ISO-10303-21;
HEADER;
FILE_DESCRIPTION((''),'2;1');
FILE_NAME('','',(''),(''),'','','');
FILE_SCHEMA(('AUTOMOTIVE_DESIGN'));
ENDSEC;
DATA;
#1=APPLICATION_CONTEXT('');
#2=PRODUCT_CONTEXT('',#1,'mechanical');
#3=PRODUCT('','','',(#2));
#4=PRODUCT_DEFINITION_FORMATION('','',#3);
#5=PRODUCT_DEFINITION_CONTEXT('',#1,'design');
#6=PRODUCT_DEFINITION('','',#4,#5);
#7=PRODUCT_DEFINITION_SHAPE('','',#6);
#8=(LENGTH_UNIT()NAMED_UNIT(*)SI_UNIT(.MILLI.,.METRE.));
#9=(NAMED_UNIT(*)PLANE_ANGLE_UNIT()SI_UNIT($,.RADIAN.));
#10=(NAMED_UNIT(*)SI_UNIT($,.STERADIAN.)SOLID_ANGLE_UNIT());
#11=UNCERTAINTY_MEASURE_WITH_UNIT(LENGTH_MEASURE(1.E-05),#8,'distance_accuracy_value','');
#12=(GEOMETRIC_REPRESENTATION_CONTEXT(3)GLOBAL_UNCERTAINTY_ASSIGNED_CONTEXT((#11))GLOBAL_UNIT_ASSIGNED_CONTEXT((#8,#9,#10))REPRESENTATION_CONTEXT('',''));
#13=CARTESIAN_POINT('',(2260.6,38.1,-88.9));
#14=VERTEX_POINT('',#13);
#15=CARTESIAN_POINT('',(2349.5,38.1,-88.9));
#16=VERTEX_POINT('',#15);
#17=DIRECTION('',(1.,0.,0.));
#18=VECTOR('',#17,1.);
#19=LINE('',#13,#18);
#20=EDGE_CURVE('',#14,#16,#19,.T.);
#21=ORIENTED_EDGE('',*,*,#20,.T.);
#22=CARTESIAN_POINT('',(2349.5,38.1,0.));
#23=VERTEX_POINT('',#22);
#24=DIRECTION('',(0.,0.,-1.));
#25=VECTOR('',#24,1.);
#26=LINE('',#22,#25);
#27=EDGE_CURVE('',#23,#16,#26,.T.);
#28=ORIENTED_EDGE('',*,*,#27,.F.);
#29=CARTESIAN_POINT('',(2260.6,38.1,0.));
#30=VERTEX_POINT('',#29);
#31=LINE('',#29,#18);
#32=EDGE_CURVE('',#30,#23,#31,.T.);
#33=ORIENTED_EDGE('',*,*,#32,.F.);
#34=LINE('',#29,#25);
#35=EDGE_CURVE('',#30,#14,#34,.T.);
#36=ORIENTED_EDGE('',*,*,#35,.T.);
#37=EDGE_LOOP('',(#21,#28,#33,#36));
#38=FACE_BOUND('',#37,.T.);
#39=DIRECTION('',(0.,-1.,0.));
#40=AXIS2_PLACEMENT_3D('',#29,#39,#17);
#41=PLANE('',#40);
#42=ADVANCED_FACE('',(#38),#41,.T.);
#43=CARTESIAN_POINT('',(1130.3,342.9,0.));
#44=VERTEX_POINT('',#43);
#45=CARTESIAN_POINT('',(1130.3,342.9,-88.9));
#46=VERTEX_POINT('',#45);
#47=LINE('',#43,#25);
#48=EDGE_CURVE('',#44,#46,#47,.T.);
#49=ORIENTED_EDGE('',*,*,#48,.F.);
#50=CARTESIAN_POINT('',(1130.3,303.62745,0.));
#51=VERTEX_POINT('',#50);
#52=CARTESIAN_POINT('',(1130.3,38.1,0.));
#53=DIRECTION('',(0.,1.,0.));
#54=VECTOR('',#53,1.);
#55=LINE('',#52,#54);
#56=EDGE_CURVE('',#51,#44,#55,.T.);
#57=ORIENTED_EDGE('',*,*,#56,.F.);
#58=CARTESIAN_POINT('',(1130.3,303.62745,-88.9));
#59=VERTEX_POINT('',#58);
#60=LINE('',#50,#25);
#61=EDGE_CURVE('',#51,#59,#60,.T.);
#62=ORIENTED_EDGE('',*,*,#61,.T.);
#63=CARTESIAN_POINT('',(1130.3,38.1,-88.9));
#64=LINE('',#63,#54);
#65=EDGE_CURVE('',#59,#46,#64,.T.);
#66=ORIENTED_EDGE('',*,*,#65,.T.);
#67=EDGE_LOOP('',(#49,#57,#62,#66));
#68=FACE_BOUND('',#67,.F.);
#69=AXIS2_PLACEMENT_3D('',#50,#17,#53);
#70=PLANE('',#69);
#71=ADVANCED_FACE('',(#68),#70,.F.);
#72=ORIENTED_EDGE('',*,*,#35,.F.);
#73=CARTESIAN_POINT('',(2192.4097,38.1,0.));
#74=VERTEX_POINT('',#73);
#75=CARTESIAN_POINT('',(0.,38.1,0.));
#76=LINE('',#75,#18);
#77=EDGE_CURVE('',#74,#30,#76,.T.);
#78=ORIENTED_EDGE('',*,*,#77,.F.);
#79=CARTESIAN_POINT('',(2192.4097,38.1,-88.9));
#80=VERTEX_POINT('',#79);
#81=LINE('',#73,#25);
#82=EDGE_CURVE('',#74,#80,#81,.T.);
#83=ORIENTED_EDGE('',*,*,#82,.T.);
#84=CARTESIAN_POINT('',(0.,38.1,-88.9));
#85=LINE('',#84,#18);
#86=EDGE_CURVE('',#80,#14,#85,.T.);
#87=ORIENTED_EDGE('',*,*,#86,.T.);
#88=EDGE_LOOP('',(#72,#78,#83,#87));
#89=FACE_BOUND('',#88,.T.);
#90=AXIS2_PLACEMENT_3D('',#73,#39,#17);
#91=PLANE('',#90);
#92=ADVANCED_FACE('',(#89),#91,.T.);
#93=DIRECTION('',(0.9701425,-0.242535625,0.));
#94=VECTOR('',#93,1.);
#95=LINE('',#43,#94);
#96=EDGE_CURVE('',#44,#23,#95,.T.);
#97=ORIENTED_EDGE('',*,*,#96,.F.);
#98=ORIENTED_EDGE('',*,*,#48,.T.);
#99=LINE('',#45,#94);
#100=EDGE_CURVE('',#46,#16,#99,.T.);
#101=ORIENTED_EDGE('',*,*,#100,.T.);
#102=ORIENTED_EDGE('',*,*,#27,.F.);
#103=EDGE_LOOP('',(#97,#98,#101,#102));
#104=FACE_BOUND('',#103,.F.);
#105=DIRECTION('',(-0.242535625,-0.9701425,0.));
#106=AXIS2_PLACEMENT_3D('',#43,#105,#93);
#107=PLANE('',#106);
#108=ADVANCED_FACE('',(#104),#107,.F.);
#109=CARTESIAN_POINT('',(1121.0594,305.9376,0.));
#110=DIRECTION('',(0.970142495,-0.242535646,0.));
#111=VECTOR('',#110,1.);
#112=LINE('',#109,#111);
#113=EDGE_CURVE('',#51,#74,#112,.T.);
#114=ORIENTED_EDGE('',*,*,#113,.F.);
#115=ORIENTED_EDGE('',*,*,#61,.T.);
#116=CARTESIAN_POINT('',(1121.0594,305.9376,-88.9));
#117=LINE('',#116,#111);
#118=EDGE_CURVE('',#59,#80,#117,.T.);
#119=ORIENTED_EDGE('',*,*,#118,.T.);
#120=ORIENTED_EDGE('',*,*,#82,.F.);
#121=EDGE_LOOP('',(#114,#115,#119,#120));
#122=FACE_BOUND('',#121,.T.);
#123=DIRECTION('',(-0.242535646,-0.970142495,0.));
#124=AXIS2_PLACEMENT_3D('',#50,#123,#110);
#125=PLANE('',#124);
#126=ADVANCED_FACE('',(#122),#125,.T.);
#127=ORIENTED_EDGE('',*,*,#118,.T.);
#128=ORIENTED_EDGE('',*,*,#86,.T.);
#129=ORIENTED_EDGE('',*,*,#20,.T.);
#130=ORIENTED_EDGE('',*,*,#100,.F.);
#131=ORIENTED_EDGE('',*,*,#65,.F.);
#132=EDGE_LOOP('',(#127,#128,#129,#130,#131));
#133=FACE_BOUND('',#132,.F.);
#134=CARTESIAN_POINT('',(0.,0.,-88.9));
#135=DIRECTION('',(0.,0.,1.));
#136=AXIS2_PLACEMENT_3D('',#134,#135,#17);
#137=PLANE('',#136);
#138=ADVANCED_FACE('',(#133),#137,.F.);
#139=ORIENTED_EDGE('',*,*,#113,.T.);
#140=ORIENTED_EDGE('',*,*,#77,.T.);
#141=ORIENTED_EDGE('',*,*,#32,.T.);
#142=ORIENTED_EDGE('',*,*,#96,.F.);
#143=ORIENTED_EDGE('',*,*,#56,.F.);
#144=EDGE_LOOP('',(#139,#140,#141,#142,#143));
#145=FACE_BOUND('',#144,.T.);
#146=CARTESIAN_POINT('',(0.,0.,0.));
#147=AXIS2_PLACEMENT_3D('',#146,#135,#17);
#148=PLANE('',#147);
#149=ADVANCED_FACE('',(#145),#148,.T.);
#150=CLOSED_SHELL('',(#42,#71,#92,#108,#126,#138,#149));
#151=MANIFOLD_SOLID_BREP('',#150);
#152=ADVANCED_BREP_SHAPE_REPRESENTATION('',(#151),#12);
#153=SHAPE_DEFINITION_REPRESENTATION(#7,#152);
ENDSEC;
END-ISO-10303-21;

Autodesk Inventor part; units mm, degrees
ref_plane "YZ Plane" through (0, 0, 0) normal (1, 0, 0) x (0, 1, 0)
ref_plane "XZ Plane" through (0, 0, 0) normal (0, 1, 0) x (-1, 0, 0)
ref_plane "XY Plane" through (0, 0, 0) normal (0, 0, 1) x (1, 0, 0)
ref_plane "Work Plane1" through (0, 0, 0) normal (0, 0, 1) x (1, 0, 0)
sketch "Sketch1" plane through (0, 0, 0) normal (0, 0, 1) x (1, 0, 0)
  line L0 (-88.9, 0) -> (0, 0) projected
  line L1 (0, 0) -> (0, 38.1) projected
  line L2 (-88.9, 38.1) -> (0, 38.1) projected
  line L3 (-88.9, 0) -> (-88.9, 38.1) projected
  line L4 (0, 0) -> (2260.6, 0) projected
  line L5 (2260.6, 0) -> (2260.6, 38.1) projected
  line L6 (0, 38.1) -> (2260.6, 38.1) projected
  line L7 (0, 0) -> (0, 38.1) projected
  line L8 (2260.6, 0) -> (2349.5, 0) projected
  line L9 (2349.5, 0) -> (2349.5, 38.1) projected
  line L10 (2260.6, 38.1) -> (2349.5, 38.1) projected
  line L11 (2260.6, 0) -> (2260.6, 38.1) projected
  line L12 (1130.3, 38.1) -> (1130.3, 342.9)
  line L13 (1130.3, 342.9) -> (2349.5, 38.1)
  line L14 (1130.3, 342.9) -> (1121.0594, 305.9376)
  line L15 (1121.0594, 305.9376) -> (2192.4097, 38.1)
  point P0 (1130.3, 303.6274)
  dimension "d0" = 304.8
  dimension "d2" = 90
  dimension "d4" = 38.1
extrude "Extrusion1" add sketch "Sketch1" against normal blind 88.9 contours L6 L15 L12 L13 L10
properties part number "top head slant"
